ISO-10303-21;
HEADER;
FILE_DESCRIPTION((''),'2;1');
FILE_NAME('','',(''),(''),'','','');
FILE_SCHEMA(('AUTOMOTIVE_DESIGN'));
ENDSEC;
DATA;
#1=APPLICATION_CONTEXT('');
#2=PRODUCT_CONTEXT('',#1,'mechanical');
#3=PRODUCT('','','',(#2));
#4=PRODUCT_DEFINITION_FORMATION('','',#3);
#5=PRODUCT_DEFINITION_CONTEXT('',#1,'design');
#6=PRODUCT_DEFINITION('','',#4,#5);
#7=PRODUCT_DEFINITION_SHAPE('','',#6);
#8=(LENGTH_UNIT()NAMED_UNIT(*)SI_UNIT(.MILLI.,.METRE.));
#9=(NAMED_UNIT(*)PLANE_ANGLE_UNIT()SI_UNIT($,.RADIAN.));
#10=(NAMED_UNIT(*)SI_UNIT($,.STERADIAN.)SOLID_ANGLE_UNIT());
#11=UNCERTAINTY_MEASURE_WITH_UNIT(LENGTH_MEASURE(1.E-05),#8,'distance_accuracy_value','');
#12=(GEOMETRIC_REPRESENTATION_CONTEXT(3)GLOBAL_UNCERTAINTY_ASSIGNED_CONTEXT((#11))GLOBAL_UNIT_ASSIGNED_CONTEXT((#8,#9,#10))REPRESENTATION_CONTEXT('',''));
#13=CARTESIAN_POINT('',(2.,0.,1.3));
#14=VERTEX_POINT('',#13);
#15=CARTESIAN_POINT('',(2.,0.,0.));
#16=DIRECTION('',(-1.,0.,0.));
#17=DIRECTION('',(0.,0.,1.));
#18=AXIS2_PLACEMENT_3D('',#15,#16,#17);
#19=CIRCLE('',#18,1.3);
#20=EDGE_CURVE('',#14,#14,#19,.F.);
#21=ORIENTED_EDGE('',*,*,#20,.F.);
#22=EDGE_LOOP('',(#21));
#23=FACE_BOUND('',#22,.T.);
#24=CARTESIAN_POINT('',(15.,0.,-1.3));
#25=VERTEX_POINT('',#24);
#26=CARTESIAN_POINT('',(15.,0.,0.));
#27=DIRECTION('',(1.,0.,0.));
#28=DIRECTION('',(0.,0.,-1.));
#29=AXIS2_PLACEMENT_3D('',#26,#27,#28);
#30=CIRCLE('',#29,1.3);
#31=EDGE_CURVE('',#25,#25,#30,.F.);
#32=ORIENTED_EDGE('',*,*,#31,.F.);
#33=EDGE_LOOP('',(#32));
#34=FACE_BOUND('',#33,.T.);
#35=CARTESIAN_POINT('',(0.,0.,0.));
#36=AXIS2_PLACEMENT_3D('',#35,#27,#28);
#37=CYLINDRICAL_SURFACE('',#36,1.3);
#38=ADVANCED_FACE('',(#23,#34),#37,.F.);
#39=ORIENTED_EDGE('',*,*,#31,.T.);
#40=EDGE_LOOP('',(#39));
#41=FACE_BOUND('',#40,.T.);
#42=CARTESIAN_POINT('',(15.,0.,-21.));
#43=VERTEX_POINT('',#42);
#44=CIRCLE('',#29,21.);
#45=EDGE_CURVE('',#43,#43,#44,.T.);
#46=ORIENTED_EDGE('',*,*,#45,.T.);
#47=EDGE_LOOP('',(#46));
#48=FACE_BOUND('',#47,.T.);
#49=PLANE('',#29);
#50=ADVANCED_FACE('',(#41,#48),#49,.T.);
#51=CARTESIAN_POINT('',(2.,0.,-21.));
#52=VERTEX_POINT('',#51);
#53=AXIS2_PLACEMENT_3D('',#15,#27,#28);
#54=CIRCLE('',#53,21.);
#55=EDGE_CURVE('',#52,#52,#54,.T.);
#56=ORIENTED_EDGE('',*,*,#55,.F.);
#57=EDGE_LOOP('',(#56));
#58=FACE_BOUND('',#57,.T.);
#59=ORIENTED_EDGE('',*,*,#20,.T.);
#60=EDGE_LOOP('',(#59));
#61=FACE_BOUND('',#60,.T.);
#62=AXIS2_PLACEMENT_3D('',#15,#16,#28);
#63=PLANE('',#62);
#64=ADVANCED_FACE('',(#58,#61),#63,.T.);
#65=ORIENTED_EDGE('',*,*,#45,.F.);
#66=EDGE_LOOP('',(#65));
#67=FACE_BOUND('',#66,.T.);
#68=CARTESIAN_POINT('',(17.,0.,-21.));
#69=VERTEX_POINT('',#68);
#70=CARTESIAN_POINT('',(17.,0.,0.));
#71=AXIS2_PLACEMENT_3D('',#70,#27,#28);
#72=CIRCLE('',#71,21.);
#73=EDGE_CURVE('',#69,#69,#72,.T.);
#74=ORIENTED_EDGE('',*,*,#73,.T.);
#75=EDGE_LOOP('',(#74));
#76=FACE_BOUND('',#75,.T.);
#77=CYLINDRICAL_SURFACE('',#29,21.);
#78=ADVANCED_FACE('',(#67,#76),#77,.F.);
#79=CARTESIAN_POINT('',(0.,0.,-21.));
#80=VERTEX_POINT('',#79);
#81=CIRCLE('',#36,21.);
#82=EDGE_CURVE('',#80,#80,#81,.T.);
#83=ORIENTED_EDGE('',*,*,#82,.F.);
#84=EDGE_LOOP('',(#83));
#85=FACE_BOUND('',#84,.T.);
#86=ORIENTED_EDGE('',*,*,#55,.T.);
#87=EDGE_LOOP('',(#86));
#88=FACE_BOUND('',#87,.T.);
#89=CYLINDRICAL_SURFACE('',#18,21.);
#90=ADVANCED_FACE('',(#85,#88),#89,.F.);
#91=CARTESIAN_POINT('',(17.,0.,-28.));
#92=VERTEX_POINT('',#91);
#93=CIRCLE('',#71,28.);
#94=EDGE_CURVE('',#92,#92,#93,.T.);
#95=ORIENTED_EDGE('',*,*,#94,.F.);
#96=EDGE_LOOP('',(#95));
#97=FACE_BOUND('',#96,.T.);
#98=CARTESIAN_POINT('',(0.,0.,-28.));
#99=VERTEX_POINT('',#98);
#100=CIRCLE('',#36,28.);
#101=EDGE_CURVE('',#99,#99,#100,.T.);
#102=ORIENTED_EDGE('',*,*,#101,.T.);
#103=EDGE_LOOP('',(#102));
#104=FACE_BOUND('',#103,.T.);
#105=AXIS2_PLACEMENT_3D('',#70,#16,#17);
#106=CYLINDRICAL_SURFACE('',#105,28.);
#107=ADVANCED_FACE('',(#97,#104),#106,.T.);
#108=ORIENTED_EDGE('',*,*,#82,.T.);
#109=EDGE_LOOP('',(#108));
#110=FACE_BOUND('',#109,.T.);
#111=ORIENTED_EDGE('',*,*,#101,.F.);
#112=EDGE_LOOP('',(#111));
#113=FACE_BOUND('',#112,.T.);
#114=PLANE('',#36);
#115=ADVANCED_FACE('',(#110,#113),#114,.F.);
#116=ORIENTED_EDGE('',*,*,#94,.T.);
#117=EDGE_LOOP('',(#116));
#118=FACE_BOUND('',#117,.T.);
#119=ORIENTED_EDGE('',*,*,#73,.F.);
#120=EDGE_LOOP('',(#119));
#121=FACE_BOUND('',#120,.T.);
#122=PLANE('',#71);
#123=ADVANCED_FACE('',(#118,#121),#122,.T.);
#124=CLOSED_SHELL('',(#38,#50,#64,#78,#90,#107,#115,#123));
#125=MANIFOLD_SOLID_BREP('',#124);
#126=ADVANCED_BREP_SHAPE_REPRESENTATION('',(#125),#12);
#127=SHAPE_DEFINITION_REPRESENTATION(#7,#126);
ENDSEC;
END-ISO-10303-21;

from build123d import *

# Parameters (mm, degrees)
ESQUISSE1_R             = 28
BOSS_EXTRU_1_DEPTH      = 17
ESQUISSE2_R             = 1.3
ENL_V_MAT_EXTRU_1_DEPTH = 17
ESQUISSE3_R             = 21
ENL_V_MAT_EXTRU_2_DEPTH = 2


with BuildPart() as part:
    # Esquisse1 → Boss.-Extru.1 (new body)
    with BuildSketch(Plane(origin=(0, 0, 0), x_dir=(0, 0, -1), z_dir=(1, 0, 0))):
        Circle(ESQUISSE1_R)
    extrude(amount=BOSS_EXTRU_1_DEPTH)

    # Esquisse2 → Enlèv. mat.-Extru.1 (cut)
    with BuildSketch(Plane(origin=(17, 0, 0), x_dir=(0, 0, -1), z_dir=(1, 0, 0))):
        Circle(ESQUISSE2_R)
    extrude(amount=-ENL_V_MAT_EXTRU_1_DEPTH, mode=Mode.SUBTRACT)

    # Esquisse3 → Enlèv. mat.-Extru.2 (cut)
    with BuildSketch(Plane(origin=(17, 0, 0), x_dir=(0, 0, -1), z_dir=(1, 0, 0))):
        Circle(ESQUISSE3_R)
    enl_v_mat_extru_2 = extrude(amount=-ENL_V_MAT_EXTRU_2_DEPTH, mode=Mode.SUBTRACT)

    # Symétrie1: Enlèv. mat.-Extru.2 across plane
    add(enl_v_mat_extru_2.mirror(Plane(origin=(8.5, 0, 0), x_dir=(0, 0, 1), z_dir=(1, 0, 0))), mode=Mode.SUBTRACT)


solid = part.part
